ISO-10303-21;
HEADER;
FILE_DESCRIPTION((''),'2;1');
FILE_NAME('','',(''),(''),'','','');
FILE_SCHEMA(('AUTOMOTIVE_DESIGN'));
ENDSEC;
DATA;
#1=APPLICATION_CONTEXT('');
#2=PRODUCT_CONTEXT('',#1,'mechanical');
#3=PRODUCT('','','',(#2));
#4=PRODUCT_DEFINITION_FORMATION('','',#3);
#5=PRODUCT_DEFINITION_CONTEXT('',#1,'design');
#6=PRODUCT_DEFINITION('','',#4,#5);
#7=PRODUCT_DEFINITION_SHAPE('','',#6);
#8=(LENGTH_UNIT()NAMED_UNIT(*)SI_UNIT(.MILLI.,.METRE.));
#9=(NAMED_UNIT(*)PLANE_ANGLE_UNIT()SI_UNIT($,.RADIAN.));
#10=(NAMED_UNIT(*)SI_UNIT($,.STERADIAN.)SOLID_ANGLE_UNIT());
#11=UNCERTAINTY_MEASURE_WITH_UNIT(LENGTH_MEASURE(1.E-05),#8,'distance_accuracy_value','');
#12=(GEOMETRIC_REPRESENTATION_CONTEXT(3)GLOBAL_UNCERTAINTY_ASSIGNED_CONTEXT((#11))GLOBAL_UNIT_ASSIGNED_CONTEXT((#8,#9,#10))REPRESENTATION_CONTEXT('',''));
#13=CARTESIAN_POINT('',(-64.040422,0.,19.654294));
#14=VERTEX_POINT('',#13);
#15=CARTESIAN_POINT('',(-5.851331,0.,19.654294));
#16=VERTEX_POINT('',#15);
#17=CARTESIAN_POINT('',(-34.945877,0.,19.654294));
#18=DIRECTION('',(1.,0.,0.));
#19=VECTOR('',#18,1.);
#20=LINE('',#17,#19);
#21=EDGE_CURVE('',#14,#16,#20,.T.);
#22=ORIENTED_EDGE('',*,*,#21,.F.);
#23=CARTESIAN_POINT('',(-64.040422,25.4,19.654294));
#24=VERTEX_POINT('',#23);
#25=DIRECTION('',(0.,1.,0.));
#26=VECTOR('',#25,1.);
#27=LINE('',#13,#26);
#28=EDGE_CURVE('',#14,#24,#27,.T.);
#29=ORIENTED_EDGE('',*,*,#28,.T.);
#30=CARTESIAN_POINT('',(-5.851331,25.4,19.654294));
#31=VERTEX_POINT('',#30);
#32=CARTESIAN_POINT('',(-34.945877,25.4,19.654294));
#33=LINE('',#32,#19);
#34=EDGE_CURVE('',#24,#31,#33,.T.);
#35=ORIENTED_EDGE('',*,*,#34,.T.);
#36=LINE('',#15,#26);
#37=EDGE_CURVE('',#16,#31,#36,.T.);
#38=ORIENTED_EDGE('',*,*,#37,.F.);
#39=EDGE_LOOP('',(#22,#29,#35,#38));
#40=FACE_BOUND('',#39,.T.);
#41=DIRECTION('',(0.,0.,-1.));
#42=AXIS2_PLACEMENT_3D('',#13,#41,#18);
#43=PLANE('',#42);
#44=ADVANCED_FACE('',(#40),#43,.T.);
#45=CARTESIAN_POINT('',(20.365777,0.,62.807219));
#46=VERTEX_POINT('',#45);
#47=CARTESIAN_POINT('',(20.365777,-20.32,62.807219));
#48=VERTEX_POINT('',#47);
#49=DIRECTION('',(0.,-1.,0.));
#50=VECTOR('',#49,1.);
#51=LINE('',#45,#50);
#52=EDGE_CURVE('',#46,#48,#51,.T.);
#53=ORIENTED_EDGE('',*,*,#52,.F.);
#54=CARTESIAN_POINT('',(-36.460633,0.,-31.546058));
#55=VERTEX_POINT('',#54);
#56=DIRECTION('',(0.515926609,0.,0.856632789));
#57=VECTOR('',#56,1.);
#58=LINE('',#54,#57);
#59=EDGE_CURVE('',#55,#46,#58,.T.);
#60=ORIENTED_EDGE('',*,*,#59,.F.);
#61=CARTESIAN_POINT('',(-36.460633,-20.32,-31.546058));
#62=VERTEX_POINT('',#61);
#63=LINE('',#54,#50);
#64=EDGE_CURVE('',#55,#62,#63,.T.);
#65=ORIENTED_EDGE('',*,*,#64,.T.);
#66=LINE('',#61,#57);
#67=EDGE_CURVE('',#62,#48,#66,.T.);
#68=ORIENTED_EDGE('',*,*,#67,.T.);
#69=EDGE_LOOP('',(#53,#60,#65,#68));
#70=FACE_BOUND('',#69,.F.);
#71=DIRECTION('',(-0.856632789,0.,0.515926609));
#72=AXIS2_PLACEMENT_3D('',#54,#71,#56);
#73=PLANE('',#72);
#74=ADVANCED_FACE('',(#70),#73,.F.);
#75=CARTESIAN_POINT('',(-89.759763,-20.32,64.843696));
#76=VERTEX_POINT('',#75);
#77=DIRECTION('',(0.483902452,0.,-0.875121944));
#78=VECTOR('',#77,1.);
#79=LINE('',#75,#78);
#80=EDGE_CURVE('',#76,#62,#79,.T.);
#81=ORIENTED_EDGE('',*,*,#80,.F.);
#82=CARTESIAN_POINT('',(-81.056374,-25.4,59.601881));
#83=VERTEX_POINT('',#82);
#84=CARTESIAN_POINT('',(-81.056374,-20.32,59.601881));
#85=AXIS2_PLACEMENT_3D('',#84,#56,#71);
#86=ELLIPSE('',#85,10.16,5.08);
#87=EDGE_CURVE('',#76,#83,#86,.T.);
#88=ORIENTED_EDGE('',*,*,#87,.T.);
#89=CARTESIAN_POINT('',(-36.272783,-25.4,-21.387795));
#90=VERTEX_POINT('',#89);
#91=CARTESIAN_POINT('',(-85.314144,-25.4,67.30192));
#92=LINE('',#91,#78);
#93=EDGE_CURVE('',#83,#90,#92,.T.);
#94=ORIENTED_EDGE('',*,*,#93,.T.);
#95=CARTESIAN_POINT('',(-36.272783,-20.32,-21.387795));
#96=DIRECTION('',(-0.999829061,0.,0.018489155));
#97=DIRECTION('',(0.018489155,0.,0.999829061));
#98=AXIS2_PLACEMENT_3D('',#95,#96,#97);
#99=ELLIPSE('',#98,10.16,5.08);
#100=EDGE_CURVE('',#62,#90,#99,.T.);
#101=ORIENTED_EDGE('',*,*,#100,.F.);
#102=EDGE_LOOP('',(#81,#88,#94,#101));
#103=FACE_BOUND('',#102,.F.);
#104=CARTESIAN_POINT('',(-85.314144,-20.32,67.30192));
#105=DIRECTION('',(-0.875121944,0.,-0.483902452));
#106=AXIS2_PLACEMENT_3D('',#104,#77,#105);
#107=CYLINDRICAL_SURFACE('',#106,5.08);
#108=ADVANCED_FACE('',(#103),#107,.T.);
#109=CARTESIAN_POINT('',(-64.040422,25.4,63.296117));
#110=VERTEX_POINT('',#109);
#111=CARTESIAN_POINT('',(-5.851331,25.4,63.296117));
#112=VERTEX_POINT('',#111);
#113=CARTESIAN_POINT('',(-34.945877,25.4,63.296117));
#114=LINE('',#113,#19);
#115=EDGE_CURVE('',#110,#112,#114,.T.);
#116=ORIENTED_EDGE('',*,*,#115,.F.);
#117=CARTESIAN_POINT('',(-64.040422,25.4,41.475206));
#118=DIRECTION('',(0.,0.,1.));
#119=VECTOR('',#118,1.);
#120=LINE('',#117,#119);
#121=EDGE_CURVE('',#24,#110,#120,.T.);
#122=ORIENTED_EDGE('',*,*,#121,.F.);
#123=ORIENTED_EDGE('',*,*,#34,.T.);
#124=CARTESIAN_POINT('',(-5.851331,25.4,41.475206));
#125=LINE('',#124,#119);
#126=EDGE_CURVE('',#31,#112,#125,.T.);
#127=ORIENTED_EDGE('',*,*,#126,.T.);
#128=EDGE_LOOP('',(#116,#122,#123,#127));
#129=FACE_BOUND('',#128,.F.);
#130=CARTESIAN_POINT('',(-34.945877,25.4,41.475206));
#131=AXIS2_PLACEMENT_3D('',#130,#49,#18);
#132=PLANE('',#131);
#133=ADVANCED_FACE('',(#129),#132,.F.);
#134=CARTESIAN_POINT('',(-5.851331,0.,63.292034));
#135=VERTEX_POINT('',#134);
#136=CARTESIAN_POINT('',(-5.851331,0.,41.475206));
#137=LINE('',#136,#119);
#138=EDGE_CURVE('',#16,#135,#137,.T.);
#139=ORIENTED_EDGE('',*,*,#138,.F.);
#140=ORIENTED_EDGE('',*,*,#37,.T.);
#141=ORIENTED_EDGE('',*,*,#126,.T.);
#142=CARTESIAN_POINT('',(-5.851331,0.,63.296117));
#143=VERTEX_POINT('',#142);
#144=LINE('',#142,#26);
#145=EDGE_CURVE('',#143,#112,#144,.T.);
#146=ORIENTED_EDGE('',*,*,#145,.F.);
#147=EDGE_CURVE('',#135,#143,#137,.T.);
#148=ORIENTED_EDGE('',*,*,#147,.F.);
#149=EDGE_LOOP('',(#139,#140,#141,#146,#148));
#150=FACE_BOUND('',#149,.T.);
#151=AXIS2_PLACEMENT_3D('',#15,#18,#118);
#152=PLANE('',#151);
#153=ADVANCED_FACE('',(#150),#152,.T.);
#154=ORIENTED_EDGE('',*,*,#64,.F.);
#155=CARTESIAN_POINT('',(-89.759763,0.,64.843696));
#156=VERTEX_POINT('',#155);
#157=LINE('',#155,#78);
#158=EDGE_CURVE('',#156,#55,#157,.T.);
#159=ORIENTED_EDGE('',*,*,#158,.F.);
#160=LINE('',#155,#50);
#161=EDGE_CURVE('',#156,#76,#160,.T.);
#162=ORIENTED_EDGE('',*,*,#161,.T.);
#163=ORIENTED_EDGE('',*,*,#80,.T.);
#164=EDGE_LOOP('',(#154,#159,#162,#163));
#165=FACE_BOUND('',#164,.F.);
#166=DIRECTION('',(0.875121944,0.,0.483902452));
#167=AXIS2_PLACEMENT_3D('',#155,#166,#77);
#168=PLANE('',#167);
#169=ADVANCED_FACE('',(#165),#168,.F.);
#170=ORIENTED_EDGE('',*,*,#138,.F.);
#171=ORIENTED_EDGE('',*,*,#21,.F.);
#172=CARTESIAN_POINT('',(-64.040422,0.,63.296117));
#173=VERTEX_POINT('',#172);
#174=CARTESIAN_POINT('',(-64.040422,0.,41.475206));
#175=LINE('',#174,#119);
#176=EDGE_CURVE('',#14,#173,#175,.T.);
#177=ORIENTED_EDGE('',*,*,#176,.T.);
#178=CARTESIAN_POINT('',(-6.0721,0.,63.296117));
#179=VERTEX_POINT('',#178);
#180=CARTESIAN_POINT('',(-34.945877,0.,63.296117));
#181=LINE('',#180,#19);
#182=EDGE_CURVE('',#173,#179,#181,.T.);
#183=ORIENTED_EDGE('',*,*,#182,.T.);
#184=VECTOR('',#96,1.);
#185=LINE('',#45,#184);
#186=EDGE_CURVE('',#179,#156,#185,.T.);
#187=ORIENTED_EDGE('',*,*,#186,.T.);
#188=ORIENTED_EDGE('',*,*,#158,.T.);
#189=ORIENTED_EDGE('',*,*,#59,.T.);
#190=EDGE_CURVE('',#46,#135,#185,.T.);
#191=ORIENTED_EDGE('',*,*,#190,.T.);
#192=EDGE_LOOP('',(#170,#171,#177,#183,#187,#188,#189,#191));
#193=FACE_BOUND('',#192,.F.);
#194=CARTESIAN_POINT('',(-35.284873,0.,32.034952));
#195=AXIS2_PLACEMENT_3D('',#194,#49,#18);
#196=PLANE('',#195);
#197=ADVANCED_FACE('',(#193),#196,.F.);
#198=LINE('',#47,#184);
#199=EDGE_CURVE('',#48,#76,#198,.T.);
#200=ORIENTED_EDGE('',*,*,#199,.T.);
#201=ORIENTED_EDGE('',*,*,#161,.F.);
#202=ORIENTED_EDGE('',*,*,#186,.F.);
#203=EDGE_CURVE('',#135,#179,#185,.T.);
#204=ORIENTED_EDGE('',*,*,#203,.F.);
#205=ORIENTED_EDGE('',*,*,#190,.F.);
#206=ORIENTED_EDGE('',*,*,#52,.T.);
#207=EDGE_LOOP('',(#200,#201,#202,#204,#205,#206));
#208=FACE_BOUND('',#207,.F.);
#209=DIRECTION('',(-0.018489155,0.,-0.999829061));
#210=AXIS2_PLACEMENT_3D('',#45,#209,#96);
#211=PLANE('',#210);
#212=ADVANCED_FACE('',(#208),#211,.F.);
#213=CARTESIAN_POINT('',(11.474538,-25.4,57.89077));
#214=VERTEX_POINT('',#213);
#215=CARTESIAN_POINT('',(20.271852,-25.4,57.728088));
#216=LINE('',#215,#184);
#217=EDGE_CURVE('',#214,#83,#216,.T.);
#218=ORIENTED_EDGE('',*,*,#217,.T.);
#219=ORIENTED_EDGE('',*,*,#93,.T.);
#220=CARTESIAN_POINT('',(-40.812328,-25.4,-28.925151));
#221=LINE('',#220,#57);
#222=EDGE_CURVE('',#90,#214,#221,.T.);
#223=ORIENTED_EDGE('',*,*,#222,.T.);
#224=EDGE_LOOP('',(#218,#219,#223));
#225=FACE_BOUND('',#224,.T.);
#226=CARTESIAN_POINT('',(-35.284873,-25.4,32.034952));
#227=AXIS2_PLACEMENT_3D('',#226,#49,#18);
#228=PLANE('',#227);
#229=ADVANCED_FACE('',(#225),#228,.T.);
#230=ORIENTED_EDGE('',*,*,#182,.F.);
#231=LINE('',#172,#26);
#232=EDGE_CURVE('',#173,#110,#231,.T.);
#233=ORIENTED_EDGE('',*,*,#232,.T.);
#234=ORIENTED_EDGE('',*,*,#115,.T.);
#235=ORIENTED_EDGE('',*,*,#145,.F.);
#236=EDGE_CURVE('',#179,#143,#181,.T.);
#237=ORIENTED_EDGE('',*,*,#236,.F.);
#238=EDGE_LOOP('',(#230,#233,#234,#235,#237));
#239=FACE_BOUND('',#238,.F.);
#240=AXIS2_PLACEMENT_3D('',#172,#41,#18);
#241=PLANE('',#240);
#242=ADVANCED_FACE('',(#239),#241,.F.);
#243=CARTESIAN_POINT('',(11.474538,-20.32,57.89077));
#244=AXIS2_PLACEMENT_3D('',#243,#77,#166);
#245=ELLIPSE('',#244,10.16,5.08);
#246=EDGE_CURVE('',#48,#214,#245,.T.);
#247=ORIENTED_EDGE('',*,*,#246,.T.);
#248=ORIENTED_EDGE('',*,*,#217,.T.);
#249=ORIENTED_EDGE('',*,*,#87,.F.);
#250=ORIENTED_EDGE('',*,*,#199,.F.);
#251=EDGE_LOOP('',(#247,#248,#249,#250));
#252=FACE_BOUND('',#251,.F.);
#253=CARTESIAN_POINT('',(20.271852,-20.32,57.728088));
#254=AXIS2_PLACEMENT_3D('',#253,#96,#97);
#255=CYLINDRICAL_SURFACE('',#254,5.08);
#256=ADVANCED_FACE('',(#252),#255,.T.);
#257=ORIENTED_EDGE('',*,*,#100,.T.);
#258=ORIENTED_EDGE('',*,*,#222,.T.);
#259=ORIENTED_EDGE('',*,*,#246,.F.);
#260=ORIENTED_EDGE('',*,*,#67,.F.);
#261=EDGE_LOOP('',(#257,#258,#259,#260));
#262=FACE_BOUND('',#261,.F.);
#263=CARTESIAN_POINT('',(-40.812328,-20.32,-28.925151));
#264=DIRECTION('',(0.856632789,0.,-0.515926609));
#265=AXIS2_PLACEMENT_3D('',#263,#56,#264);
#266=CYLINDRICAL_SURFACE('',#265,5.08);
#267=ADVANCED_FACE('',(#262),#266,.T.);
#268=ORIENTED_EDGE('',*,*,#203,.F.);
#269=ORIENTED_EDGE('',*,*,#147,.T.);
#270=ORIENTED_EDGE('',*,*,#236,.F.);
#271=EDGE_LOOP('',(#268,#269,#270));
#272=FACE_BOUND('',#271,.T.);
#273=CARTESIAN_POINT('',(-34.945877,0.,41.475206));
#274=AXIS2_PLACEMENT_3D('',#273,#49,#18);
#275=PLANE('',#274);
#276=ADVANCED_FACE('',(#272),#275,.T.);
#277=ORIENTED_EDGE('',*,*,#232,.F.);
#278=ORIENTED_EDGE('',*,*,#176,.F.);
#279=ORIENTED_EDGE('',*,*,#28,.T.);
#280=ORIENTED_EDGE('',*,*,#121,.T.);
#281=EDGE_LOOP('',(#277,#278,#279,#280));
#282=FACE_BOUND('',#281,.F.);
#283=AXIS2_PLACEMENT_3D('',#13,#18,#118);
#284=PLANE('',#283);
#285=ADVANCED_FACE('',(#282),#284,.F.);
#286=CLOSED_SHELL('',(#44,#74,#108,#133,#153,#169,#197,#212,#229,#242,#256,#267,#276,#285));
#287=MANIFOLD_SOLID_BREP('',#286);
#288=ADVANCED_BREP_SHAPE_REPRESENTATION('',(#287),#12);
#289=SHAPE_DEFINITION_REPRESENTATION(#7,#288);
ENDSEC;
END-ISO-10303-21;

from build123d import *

# Parameters (mm, degrees)
F1_DEPTH = 25.4
F2_W     = 58.1890912727
F2_H     = 43.6418224126
F3_DEPTH = 25.4
F4_R     = 5.08


with BuildPart() as f1:
    # F0 (on Front) → F1 (new body)
    with BuildSketch(Plane.XZ):
        Polygon((-36.4606332477, -31.5460583245), (20.3657772835, 62.8072192942), (-89.7597633302, 64.8436956108), align=None)
    extrude(amount=F1_DEPTH)

    # F2 (on Front) + F1_face (on face) → F3 (join)
    with BuildSketch(Plane.XZ):
        with Locations((-34.9458768032, 41.4752056822)):
            Rectangle(F2_W, F2_H)
    with BuildSketch(Plane(origin=(-35.2848730981, -25.4, 32.0349521935), x_dir=(1, 0, 0), z_dir=(0, -1, 0))):
        Polygon((-1.1757601496, -63.581010518), (55.6506503816, 30.7722671007), (-54.4748902321, 32.8087434173), align=None)
    extrude(amount=-F3_DEPTH)

    # F4
    f4_edges = [f1.edges().sort_by_distance(p)[0] for p in [
        (-8.047428, -25.4, 15.63058),
        (-34.696993, -25.4, 63.825457),
        (-63.110198, -25.4, 16.648819),
    ]]
    fillet(f4_edges, radius=F4_R)


solid = f1.part
